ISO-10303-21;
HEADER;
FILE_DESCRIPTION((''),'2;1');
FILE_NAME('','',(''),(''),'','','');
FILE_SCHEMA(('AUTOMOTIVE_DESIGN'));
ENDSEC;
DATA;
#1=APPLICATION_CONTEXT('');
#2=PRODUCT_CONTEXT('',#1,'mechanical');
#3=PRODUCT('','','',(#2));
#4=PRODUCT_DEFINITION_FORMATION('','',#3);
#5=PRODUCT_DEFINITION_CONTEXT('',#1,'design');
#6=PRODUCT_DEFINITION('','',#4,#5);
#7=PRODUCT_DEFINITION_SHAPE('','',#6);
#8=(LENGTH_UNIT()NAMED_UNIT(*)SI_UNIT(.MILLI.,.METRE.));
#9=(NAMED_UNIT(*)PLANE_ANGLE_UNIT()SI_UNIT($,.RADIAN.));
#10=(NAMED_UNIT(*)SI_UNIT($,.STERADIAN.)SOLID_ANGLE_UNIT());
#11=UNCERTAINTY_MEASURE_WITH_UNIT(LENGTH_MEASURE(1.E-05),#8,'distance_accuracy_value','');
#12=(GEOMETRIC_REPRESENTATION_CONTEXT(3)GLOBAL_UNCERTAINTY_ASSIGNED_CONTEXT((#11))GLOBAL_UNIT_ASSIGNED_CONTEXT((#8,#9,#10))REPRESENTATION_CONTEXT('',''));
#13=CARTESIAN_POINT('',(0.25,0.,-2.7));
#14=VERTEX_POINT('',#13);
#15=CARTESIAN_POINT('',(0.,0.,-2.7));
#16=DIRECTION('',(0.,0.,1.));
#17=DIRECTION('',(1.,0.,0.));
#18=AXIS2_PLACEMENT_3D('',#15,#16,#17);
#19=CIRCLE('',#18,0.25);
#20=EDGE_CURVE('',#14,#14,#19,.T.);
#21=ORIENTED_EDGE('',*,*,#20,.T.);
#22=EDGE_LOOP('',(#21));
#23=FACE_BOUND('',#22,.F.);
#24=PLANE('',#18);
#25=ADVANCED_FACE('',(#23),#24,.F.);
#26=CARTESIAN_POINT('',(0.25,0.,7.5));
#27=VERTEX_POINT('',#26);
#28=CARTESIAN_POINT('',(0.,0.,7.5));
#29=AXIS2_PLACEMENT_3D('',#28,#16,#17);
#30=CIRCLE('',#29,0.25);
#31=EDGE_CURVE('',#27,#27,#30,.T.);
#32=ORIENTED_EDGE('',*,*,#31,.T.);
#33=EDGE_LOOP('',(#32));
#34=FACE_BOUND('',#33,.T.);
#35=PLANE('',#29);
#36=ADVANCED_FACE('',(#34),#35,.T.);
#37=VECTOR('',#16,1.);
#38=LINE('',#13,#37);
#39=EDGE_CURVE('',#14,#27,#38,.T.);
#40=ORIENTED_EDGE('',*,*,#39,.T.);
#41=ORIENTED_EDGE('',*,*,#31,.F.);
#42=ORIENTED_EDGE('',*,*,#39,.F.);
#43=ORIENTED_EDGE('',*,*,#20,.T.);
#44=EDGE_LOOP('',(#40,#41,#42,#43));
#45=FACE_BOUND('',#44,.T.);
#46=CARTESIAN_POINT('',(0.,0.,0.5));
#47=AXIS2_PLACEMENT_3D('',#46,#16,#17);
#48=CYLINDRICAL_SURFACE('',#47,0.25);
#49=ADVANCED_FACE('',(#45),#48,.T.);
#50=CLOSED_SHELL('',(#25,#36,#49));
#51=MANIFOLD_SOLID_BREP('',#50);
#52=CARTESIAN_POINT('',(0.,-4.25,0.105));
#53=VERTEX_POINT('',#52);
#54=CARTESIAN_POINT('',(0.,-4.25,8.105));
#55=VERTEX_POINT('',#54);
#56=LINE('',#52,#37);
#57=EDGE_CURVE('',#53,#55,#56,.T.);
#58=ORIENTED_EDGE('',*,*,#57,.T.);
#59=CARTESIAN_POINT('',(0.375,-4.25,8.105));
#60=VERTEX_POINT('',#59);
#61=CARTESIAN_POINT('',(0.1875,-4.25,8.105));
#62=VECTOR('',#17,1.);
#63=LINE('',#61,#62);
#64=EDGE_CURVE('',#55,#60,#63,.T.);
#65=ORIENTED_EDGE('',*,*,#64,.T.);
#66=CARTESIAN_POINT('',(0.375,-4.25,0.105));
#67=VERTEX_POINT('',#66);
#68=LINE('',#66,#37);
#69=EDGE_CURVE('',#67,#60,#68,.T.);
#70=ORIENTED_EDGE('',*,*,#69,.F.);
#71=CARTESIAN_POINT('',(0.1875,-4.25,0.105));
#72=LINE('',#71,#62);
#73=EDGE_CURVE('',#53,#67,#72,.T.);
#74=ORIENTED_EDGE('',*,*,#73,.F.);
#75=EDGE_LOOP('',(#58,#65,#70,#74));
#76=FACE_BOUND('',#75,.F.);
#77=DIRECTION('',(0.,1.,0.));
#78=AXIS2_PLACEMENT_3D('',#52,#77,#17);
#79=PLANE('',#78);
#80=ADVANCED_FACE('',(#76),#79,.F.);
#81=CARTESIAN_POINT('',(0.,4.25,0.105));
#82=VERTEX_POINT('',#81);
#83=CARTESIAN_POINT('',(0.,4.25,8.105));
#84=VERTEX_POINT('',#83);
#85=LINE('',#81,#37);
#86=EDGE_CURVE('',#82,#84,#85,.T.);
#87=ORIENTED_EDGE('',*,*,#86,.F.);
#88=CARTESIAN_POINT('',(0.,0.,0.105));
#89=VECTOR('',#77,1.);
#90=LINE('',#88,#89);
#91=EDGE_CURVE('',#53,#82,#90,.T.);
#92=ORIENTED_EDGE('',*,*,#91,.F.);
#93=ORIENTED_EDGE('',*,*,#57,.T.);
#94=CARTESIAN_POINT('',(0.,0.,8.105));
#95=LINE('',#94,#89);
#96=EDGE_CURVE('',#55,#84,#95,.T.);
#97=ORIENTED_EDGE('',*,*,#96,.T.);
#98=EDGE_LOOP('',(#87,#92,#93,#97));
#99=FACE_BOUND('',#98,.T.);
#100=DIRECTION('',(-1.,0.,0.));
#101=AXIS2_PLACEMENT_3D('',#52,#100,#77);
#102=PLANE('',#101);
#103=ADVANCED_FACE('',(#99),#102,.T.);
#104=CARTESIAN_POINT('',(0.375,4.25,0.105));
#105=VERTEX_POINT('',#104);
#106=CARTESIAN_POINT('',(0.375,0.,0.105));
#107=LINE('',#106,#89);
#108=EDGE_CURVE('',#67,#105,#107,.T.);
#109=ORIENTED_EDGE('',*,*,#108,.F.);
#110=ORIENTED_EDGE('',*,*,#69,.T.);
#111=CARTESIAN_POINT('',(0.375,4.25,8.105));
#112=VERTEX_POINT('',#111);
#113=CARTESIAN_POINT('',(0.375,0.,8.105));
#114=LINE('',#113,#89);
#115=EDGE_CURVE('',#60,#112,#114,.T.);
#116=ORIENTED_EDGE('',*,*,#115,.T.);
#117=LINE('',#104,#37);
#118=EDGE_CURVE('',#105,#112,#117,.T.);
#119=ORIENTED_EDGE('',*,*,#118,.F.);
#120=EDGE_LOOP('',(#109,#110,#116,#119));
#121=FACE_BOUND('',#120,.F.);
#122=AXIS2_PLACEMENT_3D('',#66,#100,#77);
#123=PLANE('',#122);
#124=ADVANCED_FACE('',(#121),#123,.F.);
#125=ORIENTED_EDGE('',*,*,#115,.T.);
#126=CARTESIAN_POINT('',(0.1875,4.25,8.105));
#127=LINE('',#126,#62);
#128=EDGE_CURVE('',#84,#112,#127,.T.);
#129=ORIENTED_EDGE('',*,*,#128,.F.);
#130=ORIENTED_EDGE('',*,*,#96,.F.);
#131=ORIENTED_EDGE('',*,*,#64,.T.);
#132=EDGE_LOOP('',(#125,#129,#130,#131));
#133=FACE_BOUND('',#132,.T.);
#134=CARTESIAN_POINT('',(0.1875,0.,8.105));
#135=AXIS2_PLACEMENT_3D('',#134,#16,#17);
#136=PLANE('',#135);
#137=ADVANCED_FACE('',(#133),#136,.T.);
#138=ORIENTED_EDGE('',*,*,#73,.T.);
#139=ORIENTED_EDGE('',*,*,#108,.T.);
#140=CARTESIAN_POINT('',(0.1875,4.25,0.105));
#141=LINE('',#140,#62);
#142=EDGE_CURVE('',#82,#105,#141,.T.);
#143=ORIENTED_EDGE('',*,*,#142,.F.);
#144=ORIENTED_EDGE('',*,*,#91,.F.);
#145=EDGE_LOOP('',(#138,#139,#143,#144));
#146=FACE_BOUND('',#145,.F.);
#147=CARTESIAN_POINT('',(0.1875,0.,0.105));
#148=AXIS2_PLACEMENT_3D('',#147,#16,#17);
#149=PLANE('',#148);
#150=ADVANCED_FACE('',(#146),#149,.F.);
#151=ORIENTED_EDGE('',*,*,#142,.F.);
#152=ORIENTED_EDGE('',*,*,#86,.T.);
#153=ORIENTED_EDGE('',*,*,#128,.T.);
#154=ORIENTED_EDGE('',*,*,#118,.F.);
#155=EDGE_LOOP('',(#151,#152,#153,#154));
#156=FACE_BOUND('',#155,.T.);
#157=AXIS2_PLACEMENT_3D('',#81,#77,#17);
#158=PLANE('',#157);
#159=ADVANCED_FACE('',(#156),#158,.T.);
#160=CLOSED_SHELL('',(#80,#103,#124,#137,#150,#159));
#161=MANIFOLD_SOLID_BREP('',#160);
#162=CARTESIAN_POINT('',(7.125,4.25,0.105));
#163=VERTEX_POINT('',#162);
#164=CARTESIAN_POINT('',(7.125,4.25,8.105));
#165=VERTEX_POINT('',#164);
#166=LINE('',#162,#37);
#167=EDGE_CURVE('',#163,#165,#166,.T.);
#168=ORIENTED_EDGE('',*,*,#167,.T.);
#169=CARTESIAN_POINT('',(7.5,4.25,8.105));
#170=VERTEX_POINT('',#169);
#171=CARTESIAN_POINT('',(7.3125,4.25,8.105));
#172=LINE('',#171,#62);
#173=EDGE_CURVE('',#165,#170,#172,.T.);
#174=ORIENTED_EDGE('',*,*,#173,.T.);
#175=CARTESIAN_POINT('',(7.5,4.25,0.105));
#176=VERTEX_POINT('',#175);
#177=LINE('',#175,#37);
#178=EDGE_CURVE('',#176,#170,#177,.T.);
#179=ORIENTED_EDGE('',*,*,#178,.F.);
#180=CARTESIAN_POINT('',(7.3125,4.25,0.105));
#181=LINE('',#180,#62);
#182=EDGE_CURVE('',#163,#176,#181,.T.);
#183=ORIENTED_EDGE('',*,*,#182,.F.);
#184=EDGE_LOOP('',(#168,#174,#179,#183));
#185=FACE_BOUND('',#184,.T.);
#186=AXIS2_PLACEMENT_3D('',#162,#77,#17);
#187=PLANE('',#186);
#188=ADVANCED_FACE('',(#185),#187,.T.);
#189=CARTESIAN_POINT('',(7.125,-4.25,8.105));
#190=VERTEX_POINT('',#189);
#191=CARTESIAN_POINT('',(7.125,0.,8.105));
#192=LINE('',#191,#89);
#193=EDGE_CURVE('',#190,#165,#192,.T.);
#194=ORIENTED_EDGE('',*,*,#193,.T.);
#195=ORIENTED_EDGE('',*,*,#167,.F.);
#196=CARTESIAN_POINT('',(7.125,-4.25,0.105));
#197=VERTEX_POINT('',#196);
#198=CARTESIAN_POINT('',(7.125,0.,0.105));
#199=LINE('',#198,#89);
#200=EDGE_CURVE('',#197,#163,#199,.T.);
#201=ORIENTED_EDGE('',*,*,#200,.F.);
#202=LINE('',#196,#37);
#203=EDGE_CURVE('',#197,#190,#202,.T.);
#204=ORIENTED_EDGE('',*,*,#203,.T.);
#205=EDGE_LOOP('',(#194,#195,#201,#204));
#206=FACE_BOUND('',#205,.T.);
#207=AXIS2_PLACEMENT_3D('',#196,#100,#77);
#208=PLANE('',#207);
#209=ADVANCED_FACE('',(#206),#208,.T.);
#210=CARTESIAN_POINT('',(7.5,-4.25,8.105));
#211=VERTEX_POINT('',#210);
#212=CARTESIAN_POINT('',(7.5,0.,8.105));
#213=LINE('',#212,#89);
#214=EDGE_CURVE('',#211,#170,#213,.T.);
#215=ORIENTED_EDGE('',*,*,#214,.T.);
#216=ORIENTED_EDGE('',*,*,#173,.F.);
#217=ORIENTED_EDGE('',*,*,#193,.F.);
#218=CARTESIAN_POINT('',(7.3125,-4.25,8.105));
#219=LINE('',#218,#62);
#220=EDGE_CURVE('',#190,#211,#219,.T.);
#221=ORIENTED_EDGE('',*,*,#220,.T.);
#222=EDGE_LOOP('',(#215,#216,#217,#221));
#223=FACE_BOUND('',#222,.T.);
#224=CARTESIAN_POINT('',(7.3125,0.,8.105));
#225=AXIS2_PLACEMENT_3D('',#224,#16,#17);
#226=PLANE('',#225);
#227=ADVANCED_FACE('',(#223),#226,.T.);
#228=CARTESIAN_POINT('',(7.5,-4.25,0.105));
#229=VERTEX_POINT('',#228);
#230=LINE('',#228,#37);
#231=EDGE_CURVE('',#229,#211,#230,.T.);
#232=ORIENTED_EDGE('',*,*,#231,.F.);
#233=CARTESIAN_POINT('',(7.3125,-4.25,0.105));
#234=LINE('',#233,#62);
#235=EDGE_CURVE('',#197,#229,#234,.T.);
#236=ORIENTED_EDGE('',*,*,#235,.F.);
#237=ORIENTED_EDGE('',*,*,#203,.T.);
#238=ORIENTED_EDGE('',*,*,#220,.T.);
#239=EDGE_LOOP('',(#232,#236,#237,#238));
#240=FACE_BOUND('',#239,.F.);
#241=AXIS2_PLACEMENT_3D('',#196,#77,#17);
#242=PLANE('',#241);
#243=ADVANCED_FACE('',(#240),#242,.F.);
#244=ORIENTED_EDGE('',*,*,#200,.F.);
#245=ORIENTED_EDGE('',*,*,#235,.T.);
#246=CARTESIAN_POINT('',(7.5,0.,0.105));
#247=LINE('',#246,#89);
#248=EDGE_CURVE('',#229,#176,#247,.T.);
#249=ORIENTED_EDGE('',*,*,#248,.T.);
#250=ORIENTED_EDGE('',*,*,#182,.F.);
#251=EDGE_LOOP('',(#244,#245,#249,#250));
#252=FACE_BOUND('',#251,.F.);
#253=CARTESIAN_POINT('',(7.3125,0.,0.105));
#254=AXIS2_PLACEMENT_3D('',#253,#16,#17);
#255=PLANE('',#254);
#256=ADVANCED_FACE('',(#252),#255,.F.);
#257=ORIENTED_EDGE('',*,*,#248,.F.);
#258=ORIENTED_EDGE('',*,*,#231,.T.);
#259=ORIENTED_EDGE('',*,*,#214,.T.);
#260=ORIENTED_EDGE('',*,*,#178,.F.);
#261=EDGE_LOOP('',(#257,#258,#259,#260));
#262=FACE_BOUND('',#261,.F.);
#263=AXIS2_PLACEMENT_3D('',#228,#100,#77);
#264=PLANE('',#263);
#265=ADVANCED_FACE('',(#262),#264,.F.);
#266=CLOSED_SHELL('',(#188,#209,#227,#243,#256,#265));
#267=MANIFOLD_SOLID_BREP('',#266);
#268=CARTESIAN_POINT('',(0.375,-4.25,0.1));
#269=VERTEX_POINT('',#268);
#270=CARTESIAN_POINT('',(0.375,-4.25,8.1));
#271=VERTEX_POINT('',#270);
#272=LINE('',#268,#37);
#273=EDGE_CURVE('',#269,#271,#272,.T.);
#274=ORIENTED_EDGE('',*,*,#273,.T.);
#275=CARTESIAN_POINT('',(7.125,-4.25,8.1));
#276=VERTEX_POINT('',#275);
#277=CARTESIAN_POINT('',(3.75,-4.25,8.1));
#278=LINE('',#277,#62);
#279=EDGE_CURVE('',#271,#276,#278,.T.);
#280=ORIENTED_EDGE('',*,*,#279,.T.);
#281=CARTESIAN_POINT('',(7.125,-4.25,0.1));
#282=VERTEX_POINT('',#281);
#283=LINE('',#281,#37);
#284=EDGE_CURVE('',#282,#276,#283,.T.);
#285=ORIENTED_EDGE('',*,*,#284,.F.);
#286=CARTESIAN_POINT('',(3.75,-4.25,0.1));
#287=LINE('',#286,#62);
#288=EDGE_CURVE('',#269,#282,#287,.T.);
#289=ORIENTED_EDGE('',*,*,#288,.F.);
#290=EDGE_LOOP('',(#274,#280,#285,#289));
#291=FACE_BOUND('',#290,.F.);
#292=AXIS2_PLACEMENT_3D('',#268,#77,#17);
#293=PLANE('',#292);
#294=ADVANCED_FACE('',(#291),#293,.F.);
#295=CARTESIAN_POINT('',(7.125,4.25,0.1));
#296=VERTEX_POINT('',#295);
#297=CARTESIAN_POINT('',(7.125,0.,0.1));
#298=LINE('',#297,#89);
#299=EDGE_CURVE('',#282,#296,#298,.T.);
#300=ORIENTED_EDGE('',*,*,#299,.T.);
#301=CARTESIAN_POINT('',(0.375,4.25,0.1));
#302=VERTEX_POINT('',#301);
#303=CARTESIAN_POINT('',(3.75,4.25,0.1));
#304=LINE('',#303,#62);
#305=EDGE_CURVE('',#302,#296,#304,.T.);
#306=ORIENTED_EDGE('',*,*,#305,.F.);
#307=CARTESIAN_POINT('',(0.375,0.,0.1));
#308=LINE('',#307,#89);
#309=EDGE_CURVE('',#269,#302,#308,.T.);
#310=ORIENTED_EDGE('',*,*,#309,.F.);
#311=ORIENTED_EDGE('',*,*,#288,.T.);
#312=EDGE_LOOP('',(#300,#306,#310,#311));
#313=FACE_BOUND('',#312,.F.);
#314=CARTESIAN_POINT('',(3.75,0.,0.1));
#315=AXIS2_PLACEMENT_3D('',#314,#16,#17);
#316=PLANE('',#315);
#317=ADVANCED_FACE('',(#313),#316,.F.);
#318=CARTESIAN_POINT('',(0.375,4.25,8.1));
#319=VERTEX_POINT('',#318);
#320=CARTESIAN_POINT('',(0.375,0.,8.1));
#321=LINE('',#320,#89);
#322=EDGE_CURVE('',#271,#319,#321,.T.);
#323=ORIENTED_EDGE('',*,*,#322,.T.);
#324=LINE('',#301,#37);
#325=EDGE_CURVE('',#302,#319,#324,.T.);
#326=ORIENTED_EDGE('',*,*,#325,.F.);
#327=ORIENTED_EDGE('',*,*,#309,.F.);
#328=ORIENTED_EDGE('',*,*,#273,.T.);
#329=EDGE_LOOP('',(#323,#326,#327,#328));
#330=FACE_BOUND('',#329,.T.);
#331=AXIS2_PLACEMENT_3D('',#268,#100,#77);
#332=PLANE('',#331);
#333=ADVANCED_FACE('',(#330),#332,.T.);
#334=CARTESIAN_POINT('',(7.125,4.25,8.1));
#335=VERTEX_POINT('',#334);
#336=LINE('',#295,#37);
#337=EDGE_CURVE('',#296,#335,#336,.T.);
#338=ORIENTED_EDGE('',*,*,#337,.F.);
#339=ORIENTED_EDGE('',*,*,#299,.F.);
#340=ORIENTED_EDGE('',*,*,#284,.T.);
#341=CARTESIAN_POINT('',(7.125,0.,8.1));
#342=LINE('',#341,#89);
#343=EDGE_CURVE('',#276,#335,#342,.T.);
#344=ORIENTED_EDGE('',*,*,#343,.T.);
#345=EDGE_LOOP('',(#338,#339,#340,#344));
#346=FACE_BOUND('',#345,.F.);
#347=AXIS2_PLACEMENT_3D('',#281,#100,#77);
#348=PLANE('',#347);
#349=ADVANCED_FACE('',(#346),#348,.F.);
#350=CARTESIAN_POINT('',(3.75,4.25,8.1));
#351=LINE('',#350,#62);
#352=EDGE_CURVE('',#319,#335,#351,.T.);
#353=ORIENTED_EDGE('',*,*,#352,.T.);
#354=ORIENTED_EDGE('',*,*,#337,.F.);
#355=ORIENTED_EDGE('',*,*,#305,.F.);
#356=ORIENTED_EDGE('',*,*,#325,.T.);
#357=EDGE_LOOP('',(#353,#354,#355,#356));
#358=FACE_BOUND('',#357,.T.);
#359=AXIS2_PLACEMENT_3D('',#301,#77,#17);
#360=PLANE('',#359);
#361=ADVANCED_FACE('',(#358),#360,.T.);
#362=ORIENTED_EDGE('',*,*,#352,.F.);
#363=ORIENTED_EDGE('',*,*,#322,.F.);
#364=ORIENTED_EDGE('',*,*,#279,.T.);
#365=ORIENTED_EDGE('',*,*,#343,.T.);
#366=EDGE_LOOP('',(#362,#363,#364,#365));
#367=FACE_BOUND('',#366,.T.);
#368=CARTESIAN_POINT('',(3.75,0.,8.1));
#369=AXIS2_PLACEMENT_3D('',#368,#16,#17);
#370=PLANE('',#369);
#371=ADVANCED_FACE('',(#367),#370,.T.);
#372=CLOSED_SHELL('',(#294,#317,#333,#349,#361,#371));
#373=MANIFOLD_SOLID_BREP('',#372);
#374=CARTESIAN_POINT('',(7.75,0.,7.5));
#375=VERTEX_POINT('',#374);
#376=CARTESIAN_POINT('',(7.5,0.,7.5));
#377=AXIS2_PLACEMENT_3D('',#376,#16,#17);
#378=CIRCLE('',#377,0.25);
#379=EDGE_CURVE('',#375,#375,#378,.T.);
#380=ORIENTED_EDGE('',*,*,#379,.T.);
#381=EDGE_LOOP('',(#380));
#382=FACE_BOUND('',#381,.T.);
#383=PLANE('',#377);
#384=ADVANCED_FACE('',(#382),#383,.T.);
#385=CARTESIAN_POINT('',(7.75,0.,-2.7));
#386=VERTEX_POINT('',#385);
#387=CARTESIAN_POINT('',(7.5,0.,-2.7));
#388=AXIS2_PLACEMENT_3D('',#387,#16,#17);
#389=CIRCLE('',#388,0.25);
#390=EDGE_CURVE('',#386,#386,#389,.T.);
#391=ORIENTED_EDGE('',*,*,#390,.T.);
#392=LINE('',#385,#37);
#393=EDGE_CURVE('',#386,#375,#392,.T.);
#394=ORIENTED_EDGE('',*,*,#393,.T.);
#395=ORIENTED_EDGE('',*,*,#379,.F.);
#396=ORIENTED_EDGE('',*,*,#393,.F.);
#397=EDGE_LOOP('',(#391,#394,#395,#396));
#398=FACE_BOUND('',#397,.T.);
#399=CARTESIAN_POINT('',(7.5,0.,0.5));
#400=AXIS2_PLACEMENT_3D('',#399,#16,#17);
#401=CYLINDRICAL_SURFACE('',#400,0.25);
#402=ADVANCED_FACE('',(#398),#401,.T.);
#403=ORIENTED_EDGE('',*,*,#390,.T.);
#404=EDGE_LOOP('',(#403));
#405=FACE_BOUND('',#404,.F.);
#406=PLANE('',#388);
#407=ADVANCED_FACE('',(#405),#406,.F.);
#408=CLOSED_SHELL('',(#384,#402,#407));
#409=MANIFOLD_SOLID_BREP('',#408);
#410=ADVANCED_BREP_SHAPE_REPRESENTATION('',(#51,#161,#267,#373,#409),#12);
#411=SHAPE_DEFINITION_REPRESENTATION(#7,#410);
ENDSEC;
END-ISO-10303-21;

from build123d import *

# Parameters (mm, degrees)
SKETCH_W          = 6.75
SKETCH_H          = 8.5
PAD_DEPTH         = 8
SKETCH001_R       = 0.25
PAD001_DEPTH      = 7
PAD001_DEPTH_BACK = 3.2
SKETCH002_W       = 0.375
SKETCH002_H       = 8.5
PAD002_DEPTH      = 8


with BuildPart() as pad:
    # Sketch → Pad (new body)
    with BuildSketch(Plane.XY.offset(0.1)):
        with Locations((3.75, 0)):
            Rectangle(SKETCH_W, SKETCH_H)
    extrude(amount=PAD_DEPTH)


with BuildPart() as pad001:
    # Sketch001 → Pad001 (new body, two sides)
    with BuildSketch(Plane.XY.offset(0.5)) as pad001_sk:
        Circle(SKETCH001_R)
        with Locations((7.5, 0)):
            Circle(SKETCH001_R)
    extrude(amount=PAD001_DEPTH)
    extrude(pad001_sk.sketch, amount=-PAD001_DEPTH_BACK)


with BuildPart() as pad002:
    # Sketch002 → Pad002 (new body)
    with BuildSketch(Plane.XY.offset(0.105)):
        with Locations((0.1875, 0)):
            Rectangle(SKETCH002_W, SKETCH002_H)
        with Locations((7.3125, 0)):
            Rectangle(SKETCH002_W, SKETCH002_H)
    extrude(amount=PAD002_DEPTH)


solid = Compound([pad.part, pad001.part, pad002.part])
